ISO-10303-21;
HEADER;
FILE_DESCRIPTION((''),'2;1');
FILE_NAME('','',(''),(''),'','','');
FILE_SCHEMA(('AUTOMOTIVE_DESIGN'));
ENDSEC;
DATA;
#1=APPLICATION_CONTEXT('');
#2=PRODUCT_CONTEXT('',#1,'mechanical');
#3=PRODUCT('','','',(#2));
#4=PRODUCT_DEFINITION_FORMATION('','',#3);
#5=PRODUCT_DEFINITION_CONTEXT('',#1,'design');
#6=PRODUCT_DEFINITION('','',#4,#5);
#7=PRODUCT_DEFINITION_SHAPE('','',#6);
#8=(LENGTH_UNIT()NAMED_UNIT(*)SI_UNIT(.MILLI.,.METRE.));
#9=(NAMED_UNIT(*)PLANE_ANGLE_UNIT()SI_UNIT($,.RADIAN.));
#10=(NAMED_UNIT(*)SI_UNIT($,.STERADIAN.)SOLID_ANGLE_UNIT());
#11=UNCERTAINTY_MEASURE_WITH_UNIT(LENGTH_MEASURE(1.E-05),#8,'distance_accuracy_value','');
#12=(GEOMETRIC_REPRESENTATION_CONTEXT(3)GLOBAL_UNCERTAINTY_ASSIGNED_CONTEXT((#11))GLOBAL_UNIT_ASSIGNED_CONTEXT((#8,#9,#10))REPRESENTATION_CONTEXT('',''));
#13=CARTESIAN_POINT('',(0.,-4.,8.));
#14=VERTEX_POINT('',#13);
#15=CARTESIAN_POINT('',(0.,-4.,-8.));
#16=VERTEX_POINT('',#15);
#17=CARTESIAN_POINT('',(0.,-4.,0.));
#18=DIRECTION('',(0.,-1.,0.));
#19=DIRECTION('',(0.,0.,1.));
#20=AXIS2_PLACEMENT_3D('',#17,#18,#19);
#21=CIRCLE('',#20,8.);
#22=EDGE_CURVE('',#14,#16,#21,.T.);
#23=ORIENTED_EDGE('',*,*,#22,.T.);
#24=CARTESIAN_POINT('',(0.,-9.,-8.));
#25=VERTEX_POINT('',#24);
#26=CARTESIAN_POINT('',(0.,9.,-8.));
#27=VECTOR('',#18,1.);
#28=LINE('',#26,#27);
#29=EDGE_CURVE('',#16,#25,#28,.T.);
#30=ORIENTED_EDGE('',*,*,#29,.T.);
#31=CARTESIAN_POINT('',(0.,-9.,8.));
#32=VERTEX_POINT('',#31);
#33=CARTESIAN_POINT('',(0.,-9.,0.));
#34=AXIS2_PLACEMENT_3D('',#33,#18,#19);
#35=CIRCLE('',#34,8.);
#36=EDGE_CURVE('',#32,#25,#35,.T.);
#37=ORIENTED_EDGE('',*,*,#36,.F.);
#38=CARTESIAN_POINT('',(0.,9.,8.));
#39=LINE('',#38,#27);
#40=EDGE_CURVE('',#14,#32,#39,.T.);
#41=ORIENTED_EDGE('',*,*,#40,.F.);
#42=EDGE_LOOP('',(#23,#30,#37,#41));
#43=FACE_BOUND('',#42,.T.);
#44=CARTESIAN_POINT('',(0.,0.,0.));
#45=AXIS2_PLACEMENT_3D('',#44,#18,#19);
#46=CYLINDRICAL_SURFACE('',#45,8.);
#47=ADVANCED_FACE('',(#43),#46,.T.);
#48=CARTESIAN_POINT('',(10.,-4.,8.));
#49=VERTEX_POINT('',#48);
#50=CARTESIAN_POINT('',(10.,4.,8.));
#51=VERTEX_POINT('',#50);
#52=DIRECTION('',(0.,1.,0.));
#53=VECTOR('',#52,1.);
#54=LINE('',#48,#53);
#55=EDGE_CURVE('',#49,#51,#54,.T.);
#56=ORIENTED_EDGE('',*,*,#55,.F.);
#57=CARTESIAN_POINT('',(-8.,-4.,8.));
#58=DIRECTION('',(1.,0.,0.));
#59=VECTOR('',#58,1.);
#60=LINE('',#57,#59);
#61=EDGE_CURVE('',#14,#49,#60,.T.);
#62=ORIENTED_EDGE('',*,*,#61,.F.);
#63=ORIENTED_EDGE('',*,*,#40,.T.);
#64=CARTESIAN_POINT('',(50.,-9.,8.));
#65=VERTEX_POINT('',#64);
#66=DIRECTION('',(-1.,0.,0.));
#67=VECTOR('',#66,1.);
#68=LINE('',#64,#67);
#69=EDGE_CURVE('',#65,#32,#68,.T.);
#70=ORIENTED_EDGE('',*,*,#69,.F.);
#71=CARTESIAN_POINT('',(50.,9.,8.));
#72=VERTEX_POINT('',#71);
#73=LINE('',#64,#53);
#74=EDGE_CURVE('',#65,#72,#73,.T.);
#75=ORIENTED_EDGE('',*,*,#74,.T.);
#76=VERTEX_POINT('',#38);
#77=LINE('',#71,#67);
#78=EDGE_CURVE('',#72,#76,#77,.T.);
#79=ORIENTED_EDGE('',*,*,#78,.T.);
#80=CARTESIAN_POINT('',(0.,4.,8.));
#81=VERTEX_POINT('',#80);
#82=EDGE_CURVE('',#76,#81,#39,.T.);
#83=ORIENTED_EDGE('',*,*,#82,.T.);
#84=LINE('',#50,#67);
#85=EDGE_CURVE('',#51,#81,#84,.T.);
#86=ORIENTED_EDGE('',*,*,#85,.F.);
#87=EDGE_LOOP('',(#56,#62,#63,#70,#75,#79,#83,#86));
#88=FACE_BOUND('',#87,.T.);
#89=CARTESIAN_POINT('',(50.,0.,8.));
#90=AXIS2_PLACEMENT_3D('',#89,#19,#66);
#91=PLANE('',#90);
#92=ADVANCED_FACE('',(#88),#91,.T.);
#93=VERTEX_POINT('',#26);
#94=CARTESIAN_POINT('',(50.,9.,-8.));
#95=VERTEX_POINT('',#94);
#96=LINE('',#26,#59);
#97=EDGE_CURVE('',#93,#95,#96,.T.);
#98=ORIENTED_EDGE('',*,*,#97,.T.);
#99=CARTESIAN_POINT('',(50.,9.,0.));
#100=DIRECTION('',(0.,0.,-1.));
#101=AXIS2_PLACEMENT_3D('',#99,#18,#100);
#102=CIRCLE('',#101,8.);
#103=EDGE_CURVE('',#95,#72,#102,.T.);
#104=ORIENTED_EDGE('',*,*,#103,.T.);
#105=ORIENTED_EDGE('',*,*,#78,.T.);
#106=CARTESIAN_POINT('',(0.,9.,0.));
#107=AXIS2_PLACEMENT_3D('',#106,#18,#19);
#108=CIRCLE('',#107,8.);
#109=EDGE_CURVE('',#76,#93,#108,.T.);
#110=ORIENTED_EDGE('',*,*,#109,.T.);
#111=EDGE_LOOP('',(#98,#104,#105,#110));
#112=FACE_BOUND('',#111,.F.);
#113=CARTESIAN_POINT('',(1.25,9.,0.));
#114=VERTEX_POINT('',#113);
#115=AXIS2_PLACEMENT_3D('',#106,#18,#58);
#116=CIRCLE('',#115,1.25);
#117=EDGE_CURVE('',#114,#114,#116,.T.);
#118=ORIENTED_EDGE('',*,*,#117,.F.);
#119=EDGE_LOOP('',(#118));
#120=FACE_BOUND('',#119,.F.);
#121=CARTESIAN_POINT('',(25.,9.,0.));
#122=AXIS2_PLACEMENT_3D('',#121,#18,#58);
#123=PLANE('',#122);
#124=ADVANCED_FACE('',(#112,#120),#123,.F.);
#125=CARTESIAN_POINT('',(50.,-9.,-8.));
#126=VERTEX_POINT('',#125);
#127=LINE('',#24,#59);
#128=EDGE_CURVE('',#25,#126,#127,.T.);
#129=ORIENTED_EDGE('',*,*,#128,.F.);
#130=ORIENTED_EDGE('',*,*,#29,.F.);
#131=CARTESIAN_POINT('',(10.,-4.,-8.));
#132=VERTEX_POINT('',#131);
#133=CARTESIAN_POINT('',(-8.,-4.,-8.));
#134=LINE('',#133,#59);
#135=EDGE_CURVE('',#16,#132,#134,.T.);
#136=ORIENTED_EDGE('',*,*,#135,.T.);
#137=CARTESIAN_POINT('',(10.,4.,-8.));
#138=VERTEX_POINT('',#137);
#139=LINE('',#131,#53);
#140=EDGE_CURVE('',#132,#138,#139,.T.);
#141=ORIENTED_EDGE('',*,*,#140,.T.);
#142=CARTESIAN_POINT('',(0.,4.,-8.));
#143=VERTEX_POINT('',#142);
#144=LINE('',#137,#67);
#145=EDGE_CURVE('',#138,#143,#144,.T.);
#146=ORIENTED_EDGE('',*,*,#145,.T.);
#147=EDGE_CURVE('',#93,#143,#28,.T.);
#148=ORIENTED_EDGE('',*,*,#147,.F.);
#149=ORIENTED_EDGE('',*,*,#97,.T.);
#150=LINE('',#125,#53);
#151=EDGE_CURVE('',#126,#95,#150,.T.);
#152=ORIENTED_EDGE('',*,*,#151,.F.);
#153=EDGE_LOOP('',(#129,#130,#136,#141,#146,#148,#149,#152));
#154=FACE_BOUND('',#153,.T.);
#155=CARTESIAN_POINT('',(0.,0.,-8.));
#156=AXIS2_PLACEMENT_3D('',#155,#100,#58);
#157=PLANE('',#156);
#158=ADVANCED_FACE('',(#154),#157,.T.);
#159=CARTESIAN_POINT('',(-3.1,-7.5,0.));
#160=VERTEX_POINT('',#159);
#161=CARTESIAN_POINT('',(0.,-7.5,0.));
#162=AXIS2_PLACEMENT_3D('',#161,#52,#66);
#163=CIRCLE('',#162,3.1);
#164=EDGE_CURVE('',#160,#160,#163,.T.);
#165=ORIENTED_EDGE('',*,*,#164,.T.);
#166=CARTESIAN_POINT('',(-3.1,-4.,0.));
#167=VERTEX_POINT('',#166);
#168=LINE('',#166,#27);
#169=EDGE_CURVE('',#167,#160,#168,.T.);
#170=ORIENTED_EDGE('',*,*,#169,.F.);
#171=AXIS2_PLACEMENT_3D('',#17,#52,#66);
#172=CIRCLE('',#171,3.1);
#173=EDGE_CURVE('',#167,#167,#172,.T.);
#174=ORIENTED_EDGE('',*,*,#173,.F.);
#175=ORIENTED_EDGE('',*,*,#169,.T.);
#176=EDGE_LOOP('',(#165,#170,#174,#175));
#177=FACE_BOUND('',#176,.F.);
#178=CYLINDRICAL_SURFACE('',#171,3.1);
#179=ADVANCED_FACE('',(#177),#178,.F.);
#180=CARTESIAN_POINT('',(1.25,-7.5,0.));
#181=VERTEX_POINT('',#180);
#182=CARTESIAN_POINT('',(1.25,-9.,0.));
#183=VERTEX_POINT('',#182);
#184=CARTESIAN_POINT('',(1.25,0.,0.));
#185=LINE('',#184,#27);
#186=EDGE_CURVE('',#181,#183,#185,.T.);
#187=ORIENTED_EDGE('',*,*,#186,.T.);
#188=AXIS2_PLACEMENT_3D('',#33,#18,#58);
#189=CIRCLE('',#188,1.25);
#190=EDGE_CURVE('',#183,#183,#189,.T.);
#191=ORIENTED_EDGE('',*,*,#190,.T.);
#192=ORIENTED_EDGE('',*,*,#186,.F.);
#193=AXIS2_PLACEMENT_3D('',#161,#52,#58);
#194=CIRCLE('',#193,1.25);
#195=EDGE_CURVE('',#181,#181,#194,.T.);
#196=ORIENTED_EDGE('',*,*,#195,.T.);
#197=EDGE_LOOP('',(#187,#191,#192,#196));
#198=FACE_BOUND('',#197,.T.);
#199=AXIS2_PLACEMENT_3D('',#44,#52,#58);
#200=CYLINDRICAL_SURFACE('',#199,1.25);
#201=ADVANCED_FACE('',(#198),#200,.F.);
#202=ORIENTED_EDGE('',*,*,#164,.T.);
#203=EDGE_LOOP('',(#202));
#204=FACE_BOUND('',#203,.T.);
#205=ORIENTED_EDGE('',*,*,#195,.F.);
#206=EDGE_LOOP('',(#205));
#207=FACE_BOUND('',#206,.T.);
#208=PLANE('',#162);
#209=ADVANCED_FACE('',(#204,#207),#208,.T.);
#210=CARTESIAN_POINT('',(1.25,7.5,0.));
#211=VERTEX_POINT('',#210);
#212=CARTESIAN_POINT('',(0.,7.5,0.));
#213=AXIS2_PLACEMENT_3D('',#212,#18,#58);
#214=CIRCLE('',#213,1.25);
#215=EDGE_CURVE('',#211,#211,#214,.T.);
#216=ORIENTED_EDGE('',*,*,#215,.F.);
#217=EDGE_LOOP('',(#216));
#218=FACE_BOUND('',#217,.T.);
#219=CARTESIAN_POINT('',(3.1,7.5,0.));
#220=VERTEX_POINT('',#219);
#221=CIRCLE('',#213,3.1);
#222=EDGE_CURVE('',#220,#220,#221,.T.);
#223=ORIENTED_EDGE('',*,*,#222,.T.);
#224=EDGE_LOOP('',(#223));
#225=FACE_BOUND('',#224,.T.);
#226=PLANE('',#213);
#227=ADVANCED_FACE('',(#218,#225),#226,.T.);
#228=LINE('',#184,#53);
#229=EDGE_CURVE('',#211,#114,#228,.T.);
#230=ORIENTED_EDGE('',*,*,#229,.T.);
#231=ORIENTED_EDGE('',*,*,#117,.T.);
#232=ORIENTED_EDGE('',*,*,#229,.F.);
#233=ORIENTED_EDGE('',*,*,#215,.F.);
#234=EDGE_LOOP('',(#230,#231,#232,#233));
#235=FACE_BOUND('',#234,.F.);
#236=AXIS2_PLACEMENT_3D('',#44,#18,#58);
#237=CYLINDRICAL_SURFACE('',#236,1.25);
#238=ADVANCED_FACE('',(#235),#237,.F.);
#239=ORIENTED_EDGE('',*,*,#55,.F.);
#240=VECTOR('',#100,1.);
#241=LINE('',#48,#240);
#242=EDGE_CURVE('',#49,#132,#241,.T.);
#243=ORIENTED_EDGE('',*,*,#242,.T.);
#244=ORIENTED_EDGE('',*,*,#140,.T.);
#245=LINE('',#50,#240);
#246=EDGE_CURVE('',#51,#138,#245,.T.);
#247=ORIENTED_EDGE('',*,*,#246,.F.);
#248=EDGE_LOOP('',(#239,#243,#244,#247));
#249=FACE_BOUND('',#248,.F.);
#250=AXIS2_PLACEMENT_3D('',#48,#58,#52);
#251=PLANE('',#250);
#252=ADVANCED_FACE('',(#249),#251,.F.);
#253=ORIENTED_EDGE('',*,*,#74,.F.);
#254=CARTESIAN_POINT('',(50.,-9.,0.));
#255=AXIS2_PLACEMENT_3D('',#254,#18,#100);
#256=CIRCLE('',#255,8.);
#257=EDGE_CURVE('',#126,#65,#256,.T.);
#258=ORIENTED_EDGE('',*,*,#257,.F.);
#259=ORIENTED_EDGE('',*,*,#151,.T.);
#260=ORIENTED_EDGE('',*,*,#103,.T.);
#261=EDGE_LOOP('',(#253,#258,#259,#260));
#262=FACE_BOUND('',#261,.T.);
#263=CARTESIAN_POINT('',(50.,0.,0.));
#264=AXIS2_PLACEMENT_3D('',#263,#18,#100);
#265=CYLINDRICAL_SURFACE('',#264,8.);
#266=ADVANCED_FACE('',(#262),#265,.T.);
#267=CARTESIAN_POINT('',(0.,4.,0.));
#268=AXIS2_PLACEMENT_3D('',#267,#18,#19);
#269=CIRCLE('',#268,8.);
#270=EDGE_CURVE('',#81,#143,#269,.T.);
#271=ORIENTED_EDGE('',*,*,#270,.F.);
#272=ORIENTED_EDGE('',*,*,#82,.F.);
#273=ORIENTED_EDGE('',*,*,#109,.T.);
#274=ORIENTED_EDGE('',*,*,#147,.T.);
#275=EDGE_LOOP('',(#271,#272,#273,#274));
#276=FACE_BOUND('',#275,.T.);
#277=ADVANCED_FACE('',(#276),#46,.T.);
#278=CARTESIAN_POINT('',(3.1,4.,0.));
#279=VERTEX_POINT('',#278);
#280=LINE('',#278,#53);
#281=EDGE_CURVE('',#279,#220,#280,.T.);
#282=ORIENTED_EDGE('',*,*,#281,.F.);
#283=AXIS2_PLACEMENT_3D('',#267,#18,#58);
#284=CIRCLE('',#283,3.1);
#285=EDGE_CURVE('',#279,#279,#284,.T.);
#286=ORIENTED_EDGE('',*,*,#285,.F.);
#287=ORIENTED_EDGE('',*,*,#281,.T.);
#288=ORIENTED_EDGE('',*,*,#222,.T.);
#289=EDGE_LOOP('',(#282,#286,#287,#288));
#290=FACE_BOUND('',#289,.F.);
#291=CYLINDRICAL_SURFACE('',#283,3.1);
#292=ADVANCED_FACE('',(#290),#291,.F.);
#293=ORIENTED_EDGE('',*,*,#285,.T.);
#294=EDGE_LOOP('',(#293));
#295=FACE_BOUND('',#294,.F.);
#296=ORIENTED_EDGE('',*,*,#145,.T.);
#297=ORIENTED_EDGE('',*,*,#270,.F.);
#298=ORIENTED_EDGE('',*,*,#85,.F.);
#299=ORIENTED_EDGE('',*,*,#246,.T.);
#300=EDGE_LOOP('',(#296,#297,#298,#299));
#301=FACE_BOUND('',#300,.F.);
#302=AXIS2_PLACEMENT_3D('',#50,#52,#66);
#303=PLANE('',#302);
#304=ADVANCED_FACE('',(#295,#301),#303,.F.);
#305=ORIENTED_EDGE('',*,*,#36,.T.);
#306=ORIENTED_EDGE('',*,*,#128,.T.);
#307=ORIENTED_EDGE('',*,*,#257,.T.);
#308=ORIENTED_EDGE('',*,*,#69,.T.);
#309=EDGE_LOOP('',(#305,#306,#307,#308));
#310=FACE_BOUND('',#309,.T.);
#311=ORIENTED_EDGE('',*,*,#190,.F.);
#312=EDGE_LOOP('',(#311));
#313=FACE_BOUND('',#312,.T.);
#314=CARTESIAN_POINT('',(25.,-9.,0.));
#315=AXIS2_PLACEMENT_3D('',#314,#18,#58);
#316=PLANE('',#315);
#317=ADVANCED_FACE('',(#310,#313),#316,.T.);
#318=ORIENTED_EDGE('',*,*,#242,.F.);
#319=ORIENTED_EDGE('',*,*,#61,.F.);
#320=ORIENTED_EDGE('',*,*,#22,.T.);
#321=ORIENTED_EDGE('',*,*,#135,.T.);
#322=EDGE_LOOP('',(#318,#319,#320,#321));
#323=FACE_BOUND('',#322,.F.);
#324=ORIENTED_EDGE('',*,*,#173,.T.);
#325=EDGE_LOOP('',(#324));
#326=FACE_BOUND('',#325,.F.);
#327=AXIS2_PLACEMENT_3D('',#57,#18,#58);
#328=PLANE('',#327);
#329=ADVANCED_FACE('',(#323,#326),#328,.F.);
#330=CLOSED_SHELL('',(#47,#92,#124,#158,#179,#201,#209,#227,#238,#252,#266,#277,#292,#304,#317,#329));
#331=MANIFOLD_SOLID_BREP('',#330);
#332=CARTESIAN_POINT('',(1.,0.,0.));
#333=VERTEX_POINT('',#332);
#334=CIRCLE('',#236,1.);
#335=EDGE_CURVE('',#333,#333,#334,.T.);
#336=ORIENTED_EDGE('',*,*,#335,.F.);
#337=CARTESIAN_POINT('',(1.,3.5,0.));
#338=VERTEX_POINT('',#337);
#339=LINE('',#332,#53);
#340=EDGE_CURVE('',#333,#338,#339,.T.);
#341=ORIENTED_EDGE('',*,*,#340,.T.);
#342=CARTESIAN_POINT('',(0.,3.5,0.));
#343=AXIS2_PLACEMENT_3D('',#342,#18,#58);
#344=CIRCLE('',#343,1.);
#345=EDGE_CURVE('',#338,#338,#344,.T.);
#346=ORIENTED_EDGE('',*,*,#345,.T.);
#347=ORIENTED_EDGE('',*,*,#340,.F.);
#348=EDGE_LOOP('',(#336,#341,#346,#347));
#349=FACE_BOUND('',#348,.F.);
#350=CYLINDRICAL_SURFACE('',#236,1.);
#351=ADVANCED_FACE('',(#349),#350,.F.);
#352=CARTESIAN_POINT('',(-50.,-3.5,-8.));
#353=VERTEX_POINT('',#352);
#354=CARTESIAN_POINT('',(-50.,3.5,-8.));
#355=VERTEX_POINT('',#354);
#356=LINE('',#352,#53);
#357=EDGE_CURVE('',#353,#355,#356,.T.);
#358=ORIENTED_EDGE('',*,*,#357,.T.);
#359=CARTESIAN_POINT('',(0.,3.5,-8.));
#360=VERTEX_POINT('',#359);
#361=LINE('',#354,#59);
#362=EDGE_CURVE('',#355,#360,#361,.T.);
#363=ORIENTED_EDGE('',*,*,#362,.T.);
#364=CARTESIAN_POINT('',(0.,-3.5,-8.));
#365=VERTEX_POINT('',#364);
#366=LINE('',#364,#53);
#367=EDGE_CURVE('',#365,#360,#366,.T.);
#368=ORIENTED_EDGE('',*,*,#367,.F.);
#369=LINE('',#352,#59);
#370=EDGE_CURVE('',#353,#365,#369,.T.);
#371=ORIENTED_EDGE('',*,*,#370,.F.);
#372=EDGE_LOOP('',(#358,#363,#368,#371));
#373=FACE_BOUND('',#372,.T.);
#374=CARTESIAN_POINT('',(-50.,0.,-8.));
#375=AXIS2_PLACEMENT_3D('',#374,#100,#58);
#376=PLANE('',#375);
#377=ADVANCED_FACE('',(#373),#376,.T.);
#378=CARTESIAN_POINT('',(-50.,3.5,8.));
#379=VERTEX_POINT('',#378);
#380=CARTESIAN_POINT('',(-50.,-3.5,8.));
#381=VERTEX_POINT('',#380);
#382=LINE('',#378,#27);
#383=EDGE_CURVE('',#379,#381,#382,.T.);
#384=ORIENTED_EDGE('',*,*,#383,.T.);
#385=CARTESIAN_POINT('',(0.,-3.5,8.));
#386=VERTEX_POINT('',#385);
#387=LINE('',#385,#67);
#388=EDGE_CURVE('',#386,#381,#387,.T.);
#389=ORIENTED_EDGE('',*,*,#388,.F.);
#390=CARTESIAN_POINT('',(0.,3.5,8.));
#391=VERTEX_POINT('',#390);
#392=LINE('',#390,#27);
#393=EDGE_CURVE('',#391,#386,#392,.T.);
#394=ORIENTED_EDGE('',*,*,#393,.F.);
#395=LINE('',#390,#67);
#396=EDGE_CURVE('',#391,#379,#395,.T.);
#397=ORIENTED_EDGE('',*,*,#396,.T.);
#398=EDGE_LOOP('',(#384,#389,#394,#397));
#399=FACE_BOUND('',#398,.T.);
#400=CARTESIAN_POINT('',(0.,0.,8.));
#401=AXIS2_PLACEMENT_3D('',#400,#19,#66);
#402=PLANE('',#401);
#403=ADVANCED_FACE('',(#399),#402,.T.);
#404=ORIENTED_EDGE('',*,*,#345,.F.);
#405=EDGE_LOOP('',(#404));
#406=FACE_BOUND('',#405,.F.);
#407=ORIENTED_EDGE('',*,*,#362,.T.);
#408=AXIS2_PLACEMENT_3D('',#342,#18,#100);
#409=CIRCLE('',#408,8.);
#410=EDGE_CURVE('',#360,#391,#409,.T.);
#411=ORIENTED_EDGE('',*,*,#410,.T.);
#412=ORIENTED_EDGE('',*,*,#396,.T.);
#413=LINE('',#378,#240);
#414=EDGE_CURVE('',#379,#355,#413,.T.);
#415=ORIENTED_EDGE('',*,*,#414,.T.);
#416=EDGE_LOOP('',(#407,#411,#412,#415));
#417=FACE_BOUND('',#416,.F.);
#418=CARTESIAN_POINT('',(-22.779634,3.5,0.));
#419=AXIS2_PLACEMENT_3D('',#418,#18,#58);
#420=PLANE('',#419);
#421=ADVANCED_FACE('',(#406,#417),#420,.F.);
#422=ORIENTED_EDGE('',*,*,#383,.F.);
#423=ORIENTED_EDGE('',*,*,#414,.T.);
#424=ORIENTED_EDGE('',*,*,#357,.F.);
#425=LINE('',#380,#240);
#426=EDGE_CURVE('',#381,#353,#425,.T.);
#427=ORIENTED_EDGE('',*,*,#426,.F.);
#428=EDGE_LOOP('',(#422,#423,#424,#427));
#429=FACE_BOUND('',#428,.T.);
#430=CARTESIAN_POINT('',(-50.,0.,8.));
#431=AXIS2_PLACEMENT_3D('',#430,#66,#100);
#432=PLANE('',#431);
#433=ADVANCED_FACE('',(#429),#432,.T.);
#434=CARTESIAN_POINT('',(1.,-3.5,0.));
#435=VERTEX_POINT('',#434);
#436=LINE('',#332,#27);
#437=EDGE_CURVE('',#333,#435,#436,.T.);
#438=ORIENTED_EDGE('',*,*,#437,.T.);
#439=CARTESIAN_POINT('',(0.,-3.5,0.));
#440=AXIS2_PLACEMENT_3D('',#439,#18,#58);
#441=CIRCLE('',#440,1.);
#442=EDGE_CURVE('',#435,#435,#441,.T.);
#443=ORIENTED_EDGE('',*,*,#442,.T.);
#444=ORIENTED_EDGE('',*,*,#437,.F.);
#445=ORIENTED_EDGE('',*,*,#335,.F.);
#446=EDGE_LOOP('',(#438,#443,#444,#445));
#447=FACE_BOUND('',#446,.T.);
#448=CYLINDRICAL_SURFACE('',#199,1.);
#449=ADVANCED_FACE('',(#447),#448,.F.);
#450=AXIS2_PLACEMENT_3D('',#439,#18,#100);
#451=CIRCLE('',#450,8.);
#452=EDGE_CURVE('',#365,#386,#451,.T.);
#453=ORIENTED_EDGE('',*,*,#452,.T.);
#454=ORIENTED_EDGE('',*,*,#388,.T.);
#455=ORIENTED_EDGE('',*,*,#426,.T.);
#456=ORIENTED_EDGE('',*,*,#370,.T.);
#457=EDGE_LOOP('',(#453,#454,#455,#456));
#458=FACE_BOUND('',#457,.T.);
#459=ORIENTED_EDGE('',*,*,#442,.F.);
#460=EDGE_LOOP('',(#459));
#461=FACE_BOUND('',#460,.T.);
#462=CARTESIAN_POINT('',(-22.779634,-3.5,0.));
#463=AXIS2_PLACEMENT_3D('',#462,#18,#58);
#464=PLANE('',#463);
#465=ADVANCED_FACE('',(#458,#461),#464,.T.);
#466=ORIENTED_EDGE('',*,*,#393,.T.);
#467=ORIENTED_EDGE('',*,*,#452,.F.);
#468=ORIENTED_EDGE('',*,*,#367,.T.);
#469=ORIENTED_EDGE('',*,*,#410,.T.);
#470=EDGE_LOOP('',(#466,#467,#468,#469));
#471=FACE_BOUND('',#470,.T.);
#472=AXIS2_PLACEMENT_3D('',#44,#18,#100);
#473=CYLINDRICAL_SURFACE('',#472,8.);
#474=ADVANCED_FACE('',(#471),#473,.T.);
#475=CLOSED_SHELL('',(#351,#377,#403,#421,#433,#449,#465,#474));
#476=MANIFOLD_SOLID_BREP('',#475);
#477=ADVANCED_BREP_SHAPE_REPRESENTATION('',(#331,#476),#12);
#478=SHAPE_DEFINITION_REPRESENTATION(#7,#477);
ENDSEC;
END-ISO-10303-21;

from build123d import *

# Parameters (mm, degrees)
F0_R          = 1.25
F1_DEPTH      = 9
F1_DEPTH_BACK = 9
F3_DEPTH      = 16
F4_R          = 3.1
F4_R_2        = 1.25
F5_DEPTH      = 3.5
F6_R          = 3.1
F7_DEPTH      = 3.5
F8_R          = 1
F9_DEPTH      = 3.5
F9_DEPTH_BACK = 3.5


with BuildPart() as f1:
    # F0 (on Front) → F1 (new body, two sides)
    with BuildSketch(Plane.XZ) as f1_sk:
        with BuildLine():
            Line((50, 8), (0, 8))
            ThreePointArc((0, 8), (-8, 0), (0, -8))
            Line((0, -8), (50, -8))
            ThreePointArc((50, -8), (58, 0), (50, 8))
        make_face()
        Circle(F0_R, mode=Mode.SUBTRACT)
    extrude(amount=F1_DEPTH)
    extrude(f1_sk.sketch, amount=-F1_DEPTH_BACK)

    # F2 (on face) → F3 (cut, through all)
    with BuildSketch(Plane.XY.offset(8)):
        Polygon((-8, 0), (-8, -4), (0, -4), (0, 4), (-8, 4), align=None)
        Polygon((0, 4), (0, -4), (10, -4), (10, 0), (10, 4), align=None)
    extrude(amount=-F3_DEPTH, mode=Mode.SUBTRACT)

    # F4 (on face) → F5 (cut)
    with BuildSketch(Plane(origin=(0, -4, 0), x_dir=(-1, 0, 0), z_dir=(0, 1, 0))):
        Circle(F4_R)
        Circle(F4_R_2, mode=Mode.SUBTRACT)
    extrude(amount=-F5_DEPTH, mode=Mode.SUBTRACT)

    # F6 (on face) → F7 (cut)
    with BuildSketch(Plane.XZ.offset(-4)):
        Circle(F6_R)
    extrude(amount=-F7_DEPTH, mode=Mode.SUBTRACT)


with BuildPart() as f9:
    # F8 (on Front) → F9 (new body, two sides)
    with BuildSketch(Plane.XZ) as f9_sk:
        with BuildLine():
            ThreePointArc((0, -8), (8, 0), (0, 8))
            Line((0, 8), (-50, 8))
            Line((-50, 8), (-50, -8))
            Line((-50, -8), (0, -8))
        make_face()
        Circle(F8_R, mode=Mode.SUBTRACT)
    extrude(amount=F9_DEPTH)
    extrude(f9_sk.sketch, amount=-F9_DEPTH_BACK)


solid = Compound([f1.part, f9.part])
